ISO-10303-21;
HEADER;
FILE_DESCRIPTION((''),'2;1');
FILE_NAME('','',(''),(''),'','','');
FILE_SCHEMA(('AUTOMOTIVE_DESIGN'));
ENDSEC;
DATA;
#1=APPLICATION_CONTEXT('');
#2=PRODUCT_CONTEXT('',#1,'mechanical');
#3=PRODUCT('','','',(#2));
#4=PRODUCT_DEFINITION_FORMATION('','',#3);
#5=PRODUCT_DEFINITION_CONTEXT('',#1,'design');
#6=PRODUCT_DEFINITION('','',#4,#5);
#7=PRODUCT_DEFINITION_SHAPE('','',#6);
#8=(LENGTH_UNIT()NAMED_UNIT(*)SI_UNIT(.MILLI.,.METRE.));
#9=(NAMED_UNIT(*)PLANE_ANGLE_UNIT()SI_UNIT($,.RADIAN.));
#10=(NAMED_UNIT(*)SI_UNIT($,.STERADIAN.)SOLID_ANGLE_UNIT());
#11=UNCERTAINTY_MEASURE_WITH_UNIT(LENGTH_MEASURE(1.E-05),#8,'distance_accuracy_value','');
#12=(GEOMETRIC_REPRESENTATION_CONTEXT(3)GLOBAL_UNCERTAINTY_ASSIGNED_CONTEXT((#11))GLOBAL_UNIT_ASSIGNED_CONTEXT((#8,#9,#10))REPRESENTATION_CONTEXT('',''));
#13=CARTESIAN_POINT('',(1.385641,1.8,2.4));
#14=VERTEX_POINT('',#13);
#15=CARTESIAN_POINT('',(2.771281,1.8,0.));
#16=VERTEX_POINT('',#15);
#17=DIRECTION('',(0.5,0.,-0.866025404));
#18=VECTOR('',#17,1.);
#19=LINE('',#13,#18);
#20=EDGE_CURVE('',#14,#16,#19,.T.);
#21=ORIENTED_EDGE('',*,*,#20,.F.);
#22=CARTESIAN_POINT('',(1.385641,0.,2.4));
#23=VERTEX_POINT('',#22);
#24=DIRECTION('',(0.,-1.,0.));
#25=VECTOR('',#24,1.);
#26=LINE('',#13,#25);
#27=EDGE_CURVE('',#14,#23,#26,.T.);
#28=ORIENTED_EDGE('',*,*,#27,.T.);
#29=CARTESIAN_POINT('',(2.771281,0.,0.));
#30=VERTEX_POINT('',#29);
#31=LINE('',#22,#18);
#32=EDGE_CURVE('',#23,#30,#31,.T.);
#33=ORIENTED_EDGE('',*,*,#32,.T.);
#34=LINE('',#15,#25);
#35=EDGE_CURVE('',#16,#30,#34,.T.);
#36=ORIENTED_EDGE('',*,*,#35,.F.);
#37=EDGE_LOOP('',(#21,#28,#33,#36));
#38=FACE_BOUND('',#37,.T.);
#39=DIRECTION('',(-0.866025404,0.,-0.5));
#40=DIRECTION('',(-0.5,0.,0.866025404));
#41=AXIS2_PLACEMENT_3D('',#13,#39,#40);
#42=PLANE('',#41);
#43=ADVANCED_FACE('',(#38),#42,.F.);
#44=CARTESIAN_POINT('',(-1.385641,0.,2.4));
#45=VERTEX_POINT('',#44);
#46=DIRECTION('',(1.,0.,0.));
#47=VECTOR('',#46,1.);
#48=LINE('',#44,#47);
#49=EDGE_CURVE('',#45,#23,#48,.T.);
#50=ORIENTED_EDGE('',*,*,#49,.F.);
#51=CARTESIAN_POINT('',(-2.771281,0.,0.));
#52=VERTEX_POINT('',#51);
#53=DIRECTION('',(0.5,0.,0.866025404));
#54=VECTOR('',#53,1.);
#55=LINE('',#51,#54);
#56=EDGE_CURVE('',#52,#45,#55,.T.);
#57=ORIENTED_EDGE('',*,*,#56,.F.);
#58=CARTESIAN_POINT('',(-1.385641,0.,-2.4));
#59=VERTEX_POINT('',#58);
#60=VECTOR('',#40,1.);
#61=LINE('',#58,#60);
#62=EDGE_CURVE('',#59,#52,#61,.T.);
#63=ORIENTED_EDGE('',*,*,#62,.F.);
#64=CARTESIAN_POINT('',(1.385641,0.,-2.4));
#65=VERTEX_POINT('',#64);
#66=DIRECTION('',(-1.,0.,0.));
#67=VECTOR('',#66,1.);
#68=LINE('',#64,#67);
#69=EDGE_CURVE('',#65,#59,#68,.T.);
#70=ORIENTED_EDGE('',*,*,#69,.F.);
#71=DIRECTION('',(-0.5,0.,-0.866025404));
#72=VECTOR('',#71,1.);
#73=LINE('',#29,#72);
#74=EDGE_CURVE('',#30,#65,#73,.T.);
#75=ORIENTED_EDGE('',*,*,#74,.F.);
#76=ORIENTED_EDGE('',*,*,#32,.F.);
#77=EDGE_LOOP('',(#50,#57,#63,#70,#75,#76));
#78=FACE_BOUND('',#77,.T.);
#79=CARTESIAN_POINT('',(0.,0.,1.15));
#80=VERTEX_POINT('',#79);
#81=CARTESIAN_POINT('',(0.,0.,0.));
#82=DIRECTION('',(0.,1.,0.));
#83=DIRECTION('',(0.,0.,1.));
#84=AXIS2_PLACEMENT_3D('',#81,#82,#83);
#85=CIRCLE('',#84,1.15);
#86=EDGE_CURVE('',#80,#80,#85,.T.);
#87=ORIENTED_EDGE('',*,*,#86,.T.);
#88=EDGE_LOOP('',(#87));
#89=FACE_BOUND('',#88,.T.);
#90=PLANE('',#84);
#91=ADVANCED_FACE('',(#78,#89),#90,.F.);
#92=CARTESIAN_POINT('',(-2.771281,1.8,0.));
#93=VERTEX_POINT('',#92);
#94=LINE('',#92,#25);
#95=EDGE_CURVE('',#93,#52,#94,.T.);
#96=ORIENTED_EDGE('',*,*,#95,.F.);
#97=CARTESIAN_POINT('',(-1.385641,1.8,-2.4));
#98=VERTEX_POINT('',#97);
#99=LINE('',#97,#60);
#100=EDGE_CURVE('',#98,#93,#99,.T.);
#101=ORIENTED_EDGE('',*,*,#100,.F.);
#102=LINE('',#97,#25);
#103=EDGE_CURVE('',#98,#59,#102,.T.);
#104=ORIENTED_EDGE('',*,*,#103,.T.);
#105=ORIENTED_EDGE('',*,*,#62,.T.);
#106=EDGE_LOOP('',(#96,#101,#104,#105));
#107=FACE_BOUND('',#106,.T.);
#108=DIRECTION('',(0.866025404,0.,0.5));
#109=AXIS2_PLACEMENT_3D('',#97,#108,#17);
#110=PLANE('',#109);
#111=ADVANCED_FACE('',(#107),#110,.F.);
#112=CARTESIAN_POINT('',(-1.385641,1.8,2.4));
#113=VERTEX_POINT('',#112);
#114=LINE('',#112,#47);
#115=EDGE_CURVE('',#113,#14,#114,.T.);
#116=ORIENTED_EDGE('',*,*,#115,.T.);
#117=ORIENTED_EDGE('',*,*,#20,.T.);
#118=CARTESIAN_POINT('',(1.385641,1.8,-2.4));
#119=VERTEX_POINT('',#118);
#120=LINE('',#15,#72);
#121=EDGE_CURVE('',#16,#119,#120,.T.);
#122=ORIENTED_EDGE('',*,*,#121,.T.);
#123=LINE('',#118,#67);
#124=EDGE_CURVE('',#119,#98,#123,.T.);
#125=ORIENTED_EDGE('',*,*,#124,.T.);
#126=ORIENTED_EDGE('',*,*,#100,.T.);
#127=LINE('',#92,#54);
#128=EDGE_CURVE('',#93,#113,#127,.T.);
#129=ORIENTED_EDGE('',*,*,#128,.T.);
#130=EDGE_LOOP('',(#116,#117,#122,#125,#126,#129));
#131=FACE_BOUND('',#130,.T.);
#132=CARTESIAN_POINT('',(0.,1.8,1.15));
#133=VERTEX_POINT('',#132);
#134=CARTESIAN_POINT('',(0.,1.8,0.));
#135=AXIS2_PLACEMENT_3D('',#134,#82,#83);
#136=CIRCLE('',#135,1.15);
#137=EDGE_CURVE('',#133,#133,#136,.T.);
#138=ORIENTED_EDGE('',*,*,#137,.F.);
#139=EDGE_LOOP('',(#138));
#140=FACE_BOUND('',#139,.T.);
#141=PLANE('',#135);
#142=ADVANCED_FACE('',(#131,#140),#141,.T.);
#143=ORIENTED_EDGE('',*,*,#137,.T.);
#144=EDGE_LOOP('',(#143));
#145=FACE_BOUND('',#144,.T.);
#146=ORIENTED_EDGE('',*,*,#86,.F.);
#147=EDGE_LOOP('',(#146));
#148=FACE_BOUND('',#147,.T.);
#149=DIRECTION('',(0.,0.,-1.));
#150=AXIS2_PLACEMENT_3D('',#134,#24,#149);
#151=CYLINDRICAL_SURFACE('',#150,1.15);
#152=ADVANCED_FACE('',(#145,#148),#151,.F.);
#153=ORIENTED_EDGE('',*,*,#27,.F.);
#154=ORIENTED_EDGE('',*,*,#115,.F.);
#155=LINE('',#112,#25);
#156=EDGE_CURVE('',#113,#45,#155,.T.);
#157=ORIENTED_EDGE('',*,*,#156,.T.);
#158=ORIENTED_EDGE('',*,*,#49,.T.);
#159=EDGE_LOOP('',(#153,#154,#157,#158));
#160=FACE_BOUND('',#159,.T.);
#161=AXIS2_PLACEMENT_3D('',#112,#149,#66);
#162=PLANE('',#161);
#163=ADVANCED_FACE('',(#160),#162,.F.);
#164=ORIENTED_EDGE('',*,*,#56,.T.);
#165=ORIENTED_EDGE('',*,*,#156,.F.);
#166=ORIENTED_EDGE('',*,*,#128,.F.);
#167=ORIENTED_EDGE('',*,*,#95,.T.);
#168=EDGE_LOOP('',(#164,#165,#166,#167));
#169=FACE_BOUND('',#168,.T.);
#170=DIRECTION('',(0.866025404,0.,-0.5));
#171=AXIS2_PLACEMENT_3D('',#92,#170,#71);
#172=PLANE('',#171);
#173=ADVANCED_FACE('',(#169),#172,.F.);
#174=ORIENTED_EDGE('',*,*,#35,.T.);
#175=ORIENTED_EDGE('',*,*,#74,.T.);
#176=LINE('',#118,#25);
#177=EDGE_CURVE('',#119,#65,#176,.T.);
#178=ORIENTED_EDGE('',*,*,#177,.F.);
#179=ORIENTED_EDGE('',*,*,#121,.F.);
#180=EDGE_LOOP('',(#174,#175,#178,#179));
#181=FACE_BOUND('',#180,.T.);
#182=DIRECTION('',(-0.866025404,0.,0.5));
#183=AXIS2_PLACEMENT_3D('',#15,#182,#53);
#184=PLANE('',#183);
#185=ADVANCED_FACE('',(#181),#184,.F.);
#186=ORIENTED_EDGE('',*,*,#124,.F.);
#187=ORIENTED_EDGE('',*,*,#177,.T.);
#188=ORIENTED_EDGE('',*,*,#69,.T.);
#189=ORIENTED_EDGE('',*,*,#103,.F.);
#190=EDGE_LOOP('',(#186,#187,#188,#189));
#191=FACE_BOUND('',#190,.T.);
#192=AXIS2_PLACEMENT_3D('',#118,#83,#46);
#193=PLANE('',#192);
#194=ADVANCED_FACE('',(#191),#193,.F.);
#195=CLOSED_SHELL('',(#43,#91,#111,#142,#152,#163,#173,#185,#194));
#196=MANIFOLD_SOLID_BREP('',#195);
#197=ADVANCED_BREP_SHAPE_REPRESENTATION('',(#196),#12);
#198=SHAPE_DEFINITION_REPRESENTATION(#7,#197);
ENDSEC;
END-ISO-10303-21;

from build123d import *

# Parameters (mm, degrees)
SKETCH_1_R      = 1.15
EXTRUDE_1_DEPTH = 1.8


with BuildPart() as part:
    # 草图1 → 凸台-拉伸1 (new body)
    with BuildSketch(Plane(origin=(0, 0, 0), x_dir=(1, 0, 0), z_dir=(0, 1, 0))):
        Polygon((2.771281292, 0), (1.385640646, 2.4), (-1.385640646, 2.4), (-2.771281292, 0), (-1.385640646, -2.4), (1.385640646, -2.4), align=None)
        with Locations(Location((0, 0, 0), (0, 0, 270))):
            Circle(SKETCH_1_R, mode=Mode.SUBTRACT)
    extrude(amount=EXTRUDE_1_DEPTH)


solid = part.part
